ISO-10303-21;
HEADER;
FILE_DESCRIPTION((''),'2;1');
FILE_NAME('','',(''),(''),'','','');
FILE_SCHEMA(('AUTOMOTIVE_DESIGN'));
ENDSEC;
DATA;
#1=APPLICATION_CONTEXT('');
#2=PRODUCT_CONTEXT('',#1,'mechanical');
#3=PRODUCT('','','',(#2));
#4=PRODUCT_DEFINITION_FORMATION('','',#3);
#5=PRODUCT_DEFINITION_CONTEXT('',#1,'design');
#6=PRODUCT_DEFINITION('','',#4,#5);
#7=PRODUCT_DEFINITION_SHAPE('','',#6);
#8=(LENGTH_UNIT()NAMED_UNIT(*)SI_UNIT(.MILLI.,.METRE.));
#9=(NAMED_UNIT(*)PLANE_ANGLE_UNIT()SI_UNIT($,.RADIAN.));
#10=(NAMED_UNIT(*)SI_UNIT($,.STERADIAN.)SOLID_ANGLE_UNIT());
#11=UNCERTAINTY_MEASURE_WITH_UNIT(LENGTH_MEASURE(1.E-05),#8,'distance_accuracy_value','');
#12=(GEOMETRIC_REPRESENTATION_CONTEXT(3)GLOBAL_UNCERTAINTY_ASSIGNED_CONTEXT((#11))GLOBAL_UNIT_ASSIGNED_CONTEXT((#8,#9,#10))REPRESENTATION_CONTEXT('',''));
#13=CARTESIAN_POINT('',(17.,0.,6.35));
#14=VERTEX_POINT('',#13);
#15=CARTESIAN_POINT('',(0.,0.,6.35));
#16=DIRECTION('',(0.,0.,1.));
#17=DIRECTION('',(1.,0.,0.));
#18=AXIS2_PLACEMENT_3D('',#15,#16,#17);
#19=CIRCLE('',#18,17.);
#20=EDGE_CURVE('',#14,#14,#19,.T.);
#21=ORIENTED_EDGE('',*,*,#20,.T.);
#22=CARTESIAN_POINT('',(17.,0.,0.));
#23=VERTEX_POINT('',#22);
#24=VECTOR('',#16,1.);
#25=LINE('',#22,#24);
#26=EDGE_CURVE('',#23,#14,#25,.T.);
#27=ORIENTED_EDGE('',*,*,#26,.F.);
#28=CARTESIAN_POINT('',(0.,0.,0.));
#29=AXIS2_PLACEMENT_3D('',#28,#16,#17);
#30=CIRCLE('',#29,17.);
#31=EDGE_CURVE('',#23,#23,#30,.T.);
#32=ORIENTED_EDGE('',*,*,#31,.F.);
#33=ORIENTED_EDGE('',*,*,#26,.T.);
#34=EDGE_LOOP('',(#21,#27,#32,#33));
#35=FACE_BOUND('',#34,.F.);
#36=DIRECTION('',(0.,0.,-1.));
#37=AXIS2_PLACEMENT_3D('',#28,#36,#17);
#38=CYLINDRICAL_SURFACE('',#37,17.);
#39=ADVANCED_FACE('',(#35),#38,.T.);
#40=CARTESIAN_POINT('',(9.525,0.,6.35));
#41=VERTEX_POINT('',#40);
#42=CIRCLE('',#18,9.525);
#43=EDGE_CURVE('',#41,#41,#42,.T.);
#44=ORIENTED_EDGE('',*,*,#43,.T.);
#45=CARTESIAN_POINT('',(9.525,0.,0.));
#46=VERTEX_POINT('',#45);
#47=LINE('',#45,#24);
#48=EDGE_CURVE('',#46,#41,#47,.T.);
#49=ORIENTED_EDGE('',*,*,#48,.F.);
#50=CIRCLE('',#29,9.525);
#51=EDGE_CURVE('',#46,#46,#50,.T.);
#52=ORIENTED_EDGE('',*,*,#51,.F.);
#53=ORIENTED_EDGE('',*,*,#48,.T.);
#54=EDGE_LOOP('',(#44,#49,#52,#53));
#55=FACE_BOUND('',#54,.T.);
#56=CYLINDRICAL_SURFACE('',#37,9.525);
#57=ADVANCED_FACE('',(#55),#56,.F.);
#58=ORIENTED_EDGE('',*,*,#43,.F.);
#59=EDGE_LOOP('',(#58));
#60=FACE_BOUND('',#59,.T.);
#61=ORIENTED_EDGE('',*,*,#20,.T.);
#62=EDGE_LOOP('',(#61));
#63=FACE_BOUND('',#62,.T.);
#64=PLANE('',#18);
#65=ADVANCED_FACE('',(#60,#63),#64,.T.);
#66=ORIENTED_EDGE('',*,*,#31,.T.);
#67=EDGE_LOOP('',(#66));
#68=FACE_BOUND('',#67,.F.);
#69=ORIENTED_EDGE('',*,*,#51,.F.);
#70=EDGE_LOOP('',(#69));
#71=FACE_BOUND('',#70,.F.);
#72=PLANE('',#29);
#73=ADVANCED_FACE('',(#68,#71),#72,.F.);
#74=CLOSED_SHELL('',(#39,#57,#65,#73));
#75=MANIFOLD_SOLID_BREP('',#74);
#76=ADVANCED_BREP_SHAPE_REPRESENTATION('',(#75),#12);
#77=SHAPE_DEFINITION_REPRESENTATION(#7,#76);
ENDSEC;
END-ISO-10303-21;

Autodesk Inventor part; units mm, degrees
ref_plane "YZ Plane" through (0, 0, 0) normal (1, 0, 0) x (0, 1, 0)
ref_plane "XZ Plane" through (0, 0, 0) normal (0, 1, 0) x (-1, 0, 0)
ref_plane "XY Plane" through (0, 0, 0) normal (0, 0, 1) x (1, 0, 0)
sketch "Sketch1" plane through (0, 0, 0) normal (0, 0, 1) x (1, 0, 0)
  circle A0 centre (0, 0) radius 17
  circle A1 centre (0, 0) radius 17
  circle A2 centre (0, 0) radius 9.525
  dimension "d4" = 19.05
extrude "Extrusion2" add sketch "Sketch1" along normal blind 6.35
properties part number "1-4inch_BearingSpacer_Piece1"
